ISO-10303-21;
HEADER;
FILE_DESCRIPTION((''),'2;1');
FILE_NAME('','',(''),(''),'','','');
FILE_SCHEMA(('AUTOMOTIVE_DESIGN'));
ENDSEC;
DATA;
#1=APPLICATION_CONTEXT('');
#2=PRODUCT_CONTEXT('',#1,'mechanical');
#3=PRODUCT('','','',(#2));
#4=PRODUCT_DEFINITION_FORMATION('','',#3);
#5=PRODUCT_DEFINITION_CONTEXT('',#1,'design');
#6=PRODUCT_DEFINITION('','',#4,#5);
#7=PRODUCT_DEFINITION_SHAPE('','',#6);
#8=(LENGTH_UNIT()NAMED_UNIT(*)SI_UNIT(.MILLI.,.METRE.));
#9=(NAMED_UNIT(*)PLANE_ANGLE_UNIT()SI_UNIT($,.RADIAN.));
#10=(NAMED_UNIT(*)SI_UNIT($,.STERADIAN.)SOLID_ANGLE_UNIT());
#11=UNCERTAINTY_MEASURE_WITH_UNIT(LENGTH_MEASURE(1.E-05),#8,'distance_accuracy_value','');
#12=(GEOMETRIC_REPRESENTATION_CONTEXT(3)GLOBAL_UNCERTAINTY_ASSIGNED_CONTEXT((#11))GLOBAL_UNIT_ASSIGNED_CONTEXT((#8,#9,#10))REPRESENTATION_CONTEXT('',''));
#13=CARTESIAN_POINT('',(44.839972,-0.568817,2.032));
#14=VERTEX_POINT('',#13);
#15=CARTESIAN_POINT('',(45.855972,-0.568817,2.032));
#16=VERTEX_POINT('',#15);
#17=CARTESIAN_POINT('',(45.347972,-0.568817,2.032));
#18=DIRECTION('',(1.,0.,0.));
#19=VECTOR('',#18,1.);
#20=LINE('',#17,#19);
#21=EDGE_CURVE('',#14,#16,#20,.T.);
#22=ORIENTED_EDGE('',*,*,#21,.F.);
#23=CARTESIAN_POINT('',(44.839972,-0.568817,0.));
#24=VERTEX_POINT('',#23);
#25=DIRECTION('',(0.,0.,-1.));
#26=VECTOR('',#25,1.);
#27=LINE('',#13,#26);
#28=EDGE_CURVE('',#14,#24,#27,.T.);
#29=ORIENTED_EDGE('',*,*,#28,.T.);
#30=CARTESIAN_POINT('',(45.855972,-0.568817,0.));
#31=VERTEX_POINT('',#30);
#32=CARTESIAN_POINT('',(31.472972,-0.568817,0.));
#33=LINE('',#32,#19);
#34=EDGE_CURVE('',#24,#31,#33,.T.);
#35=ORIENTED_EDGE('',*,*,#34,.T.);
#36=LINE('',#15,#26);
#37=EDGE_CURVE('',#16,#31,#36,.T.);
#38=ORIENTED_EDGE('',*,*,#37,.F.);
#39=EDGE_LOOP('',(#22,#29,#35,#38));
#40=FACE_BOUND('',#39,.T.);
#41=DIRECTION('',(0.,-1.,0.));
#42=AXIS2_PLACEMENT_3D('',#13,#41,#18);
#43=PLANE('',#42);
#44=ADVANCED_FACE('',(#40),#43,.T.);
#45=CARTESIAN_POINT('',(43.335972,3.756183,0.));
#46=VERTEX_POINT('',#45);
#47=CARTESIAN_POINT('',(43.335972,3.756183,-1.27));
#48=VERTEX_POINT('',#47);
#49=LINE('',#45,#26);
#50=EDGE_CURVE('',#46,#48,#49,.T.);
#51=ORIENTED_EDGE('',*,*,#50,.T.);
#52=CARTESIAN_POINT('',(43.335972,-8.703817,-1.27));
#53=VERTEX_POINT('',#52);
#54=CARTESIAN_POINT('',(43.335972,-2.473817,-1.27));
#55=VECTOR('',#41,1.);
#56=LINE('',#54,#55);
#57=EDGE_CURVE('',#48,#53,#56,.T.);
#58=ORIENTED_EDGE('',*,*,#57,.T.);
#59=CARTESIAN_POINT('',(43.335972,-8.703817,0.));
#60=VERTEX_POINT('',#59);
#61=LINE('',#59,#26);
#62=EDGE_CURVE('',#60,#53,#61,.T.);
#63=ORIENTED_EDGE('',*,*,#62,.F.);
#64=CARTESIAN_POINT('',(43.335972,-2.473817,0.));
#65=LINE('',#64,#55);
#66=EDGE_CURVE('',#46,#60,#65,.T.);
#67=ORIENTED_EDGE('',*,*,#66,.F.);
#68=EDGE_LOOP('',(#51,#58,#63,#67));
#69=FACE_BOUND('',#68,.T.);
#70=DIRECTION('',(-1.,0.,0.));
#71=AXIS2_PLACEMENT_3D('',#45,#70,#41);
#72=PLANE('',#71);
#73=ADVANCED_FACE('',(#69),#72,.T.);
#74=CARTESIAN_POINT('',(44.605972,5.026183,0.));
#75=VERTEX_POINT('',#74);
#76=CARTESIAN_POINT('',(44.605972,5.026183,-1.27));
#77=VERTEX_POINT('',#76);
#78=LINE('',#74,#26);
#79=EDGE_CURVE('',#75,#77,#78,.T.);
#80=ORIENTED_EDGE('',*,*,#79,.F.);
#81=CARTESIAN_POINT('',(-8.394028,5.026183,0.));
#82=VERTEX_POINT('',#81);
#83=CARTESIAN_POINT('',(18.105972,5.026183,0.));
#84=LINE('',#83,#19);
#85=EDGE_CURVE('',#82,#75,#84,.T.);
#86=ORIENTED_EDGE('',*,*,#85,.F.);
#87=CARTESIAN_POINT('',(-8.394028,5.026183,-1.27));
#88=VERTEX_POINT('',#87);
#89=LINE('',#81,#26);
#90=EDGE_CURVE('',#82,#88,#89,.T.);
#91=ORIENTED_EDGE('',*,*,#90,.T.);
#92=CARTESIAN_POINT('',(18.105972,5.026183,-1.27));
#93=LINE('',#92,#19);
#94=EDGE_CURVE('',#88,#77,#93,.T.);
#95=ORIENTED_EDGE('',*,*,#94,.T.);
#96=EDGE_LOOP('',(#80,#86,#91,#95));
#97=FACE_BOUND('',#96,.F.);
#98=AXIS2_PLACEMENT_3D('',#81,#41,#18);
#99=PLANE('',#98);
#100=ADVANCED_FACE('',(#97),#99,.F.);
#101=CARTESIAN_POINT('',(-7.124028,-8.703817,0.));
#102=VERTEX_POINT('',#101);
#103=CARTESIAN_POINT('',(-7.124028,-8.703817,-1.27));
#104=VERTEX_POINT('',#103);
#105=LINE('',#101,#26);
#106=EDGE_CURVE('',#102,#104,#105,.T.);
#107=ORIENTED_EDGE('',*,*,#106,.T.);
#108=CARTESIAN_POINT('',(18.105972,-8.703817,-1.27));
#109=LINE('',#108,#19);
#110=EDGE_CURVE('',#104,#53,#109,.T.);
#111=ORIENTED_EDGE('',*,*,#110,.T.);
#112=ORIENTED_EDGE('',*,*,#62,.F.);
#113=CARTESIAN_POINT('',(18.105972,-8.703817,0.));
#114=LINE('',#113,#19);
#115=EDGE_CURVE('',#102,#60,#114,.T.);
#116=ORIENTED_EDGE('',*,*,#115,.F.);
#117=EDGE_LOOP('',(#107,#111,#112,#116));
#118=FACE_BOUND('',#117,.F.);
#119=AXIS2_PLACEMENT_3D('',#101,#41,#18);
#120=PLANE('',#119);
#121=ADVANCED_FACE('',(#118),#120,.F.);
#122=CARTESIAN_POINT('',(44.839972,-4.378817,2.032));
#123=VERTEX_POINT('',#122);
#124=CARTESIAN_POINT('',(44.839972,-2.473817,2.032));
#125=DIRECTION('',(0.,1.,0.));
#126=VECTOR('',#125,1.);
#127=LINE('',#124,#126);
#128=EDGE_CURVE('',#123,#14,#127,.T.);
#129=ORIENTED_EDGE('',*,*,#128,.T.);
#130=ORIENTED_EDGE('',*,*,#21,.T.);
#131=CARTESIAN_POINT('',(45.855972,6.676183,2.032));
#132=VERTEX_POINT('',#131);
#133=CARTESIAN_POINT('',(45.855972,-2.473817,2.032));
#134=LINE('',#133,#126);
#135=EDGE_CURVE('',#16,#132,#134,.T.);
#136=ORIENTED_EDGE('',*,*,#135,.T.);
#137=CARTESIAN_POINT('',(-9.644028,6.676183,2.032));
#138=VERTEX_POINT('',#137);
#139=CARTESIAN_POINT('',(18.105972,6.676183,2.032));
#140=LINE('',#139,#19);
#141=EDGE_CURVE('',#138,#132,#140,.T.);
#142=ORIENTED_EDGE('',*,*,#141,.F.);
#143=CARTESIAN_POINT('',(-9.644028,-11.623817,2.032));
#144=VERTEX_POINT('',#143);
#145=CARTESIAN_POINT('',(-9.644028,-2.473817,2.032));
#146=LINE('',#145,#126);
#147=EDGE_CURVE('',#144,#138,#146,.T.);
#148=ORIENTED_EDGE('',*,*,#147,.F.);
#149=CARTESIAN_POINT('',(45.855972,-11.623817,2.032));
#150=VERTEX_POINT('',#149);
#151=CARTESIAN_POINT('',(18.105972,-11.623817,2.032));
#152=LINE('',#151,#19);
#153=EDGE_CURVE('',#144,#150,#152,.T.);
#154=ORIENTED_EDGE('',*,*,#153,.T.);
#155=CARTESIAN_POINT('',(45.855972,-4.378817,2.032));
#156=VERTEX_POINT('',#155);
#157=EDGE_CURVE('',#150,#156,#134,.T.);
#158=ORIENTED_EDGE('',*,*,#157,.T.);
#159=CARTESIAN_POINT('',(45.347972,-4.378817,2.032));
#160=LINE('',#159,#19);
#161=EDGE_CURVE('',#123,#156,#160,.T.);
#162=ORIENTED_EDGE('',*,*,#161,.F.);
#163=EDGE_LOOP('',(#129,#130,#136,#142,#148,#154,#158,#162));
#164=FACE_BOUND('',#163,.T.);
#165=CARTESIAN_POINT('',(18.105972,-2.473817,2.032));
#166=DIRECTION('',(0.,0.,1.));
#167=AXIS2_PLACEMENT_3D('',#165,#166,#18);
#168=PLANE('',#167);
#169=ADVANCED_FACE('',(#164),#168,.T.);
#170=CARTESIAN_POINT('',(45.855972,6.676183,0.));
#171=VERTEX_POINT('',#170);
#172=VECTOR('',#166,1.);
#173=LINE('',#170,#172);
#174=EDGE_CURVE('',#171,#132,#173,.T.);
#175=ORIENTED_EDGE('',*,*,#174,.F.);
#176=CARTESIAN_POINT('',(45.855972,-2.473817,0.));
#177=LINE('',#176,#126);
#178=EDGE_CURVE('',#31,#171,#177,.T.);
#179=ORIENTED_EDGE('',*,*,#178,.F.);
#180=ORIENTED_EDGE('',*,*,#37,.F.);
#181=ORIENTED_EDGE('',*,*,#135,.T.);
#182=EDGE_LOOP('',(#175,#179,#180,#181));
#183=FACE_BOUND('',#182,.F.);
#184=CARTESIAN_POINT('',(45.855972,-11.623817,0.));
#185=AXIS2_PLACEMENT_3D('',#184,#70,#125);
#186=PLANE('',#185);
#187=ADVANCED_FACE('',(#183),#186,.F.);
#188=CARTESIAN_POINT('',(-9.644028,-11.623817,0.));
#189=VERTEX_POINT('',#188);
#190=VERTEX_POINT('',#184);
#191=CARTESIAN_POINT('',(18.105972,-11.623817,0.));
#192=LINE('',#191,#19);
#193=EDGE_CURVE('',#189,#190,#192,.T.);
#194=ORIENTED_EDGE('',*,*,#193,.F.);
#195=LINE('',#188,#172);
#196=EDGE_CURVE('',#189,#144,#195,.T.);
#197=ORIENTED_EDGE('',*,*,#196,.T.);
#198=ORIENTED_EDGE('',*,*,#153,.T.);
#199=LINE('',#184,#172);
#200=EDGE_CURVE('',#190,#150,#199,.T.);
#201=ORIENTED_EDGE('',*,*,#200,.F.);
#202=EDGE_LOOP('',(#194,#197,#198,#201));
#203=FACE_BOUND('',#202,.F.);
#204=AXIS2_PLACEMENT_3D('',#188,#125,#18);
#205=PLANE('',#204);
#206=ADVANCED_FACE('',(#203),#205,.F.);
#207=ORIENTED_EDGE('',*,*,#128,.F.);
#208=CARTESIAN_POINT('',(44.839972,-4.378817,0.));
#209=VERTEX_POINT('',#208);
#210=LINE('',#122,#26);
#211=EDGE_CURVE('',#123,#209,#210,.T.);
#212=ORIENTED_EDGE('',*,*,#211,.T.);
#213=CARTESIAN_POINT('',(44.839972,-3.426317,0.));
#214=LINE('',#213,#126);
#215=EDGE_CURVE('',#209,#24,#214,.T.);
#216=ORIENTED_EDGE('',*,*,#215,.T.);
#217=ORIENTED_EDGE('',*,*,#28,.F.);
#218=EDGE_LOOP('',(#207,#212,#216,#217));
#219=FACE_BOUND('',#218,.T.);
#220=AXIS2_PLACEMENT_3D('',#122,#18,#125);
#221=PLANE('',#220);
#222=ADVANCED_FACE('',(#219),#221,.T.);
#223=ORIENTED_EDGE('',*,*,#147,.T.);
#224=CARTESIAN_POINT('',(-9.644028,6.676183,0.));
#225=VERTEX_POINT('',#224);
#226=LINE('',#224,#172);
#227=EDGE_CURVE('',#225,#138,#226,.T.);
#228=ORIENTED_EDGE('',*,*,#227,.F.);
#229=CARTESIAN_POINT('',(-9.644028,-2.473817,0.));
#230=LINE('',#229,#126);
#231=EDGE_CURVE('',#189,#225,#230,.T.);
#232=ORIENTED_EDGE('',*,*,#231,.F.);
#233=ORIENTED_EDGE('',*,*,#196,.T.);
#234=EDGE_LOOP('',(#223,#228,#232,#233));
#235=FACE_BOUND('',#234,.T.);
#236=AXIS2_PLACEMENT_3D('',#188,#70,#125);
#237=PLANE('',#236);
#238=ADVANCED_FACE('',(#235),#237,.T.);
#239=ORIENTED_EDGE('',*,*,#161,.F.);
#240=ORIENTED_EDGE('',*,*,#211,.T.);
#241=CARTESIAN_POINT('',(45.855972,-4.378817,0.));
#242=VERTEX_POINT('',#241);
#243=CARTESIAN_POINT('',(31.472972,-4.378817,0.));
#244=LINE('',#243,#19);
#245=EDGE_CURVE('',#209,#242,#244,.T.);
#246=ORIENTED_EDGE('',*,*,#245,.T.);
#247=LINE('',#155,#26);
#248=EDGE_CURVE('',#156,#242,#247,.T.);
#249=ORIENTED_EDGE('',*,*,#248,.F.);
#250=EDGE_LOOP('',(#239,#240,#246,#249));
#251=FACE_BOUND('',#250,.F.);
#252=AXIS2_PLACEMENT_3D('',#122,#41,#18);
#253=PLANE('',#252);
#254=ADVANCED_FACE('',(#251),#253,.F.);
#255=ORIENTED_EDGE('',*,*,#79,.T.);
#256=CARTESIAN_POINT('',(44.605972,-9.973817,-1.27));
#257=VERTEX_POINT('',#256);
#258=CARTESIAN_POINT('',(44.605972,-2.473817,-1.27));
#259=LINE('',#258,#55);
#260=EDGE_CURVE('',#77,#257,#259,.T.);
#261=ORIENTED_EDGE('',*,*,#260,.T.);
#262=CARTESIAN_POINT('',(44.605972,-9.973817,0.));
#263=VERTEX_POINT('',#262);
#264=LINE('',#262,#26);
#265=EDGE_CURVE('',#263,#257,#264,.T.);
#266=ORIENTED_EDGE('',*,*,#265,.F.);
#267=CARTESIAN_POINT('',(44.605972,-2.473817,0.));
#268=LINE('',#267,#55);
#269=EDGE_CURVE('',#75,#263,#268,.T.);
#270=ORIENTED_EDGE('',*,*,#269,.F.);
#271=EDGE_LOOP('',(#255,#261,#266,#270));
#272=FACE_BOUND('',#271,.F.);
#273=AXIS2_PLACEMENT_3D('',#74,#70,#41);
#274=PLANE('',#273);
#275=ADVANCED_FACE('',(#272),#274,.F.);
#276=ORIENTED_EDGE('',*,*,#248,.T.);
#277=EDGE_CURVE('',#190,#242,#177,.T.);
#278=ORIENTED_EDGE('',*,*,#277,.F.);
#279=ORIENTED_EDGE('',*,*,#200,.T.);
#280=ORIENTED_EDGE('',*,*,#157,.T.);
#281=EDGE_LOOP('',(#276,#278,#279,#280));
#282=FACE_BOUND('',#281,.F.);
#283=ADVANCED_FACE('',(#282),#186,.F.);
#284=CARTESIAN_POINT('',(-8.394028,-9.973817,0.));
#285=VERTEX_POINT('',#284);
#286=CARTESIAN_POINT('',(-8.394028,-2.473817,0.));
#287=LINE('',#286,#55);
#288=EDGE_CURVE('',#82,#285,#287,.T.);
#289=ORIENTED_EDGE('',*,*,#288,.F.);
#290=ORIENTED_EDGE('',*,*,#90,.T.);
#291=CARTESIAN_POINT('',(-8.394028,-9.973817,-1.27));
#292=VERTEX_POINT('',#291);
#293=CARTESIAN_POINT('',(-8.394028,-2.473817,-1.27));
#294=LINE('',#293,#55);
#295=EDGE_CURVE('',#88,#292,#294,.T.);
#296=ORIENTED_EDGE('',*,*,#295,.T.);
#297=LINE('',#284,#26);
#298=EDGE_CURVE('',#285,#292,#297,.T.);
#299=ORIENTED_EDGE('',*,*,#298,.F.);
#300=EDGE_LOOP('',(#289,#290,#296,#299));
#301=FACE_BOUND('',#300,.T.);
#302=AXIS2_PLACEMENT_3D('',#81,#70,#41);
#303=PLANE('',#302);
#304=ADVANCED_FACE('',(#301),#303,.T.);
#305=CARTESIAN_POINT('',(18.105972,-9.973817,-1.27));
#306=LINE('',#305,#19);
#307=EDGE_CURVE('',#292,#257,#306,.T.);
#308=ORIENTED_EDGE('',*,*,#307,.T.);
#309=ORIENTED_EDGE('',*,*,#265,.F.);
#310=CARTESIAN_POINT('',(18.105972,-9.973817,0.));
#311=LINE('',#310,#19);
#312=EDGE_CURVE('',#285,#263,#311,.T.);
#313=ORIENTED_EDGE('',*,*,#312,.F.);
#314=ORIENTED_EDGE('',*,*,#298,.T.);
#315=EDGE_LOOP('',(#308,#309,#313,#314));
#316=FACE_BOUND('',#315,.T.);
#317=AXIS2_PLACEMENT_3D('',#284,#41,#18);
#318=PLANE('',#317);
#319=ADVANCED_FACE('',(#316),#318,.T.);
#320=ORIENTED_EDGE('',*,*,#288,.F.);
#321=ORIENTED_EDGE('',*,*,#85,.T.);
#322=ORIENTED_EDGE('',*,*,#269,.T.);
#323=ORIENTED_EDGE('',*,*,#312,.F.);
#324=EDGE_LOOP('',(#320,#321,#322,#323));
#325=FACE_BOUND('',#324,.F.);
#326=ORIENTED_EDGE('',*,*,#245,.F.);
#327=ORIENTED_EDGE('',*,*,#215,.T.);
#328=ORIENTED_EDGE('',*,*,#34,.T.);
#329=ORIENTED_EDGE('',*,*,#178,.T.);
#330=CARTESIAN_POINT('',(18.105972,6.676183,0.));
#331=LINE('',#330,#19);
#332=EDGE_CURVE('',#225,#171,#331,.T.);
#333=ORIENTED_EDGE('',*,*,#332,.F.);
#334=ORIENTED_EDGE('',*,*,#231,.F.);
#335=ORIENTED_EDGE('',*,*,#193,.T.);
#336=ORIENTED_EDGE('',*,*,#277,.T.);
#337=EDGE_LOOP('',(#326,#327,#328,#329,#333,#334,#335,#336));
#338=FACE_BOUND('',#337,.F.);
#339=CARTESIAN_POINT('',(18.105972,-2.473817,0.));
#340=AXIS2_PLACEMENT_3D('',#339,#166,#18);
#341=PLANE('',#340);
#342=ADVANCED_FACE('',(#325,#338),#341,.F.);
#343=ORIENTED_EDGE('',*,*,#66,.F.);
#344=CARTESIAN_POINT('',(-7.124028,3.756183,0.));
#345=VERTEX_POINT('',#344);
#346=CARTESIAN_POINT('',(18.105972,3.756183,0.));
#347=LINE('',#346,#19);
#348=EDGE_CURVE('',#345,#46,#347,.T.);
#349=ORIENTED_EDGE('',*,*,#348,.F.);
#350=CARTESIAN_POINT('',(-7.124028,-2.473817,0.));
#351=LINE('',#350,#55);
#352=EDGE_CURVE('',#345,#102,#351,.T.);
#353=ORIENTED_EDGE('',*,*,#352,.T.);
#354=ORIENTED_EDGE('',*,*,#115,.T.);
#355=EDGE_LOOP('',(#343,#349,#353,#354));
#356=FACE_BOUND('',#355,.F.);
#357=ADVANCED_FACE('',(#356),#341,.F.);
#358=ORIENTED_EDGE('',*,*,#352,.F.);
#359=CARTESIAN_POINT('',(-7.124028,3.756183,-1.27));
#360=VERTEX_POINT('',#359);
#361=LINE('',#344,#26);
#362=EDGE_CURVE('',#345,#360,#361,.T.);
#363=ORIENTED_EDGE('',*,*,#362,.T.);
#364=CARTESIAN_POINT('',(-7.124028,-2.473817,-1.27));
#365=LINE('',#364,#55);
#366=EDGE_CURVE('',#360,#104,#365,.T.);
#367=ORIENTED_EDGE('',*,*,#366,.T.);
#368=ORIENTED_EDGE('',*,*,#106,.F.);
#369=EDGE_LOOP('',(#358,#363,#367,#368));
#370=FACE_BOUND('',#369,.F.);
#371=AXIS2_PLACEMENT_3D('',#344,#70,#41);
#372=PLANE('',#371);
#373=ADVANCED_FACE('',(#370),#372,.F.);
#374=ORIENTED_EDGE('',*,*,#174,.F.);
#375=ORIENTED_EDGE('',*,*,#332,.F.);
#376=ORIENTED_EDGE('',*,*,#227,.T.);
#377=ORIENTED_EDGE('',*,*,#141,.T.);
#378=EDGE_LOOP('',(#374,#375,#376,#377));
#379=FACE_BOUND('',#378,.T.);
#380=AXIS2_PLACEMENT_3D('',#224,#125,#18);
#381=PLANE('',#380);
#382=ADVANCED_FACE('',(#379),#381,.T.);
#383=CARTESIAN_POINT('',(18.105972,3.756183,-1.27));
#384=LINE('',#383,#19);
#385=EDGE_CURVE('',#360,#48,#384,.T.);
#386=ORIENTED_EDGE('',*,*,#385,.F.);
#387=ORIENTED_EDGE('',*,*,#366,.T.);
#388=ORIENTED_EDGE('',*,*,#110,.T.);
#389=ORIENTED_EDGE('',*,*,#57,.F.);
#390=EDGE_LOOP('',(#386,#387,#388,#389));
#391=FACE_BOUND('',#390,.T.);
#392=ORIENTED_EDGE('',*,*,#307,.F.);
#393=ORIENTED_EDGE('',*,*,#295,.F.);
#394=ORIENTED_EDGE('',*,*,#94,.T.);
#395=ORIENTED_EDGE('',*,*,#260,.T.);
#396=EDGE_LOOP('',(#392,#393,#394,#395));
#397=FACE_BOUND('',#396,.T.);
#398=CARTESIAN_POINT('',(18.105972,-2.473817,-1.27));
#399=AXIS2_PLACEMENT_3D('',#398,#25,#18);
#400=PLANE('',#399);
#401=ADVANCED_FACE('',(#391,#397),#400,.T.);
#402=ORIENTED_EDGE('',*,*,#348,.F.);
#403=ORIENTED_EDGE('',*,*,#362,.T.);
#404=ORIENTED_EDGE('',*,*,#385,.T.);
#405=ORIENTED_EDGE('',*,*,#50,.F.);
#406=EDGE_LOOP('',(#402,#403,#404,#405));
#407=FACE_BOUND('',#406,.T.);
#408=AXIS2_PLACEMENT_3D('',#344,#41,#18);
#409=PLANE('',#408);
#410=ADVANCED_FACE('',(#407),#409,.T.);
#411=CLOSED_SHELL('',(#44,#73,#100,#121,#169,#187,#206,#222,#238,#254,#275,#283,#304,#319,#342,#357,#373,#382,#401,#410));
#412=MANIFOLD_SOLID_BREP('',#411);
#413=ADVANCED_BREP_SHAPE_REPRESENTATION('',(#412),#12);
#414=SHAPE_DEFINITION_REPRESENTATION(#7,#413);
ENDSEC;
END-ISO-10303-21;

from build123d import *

# Parameters (mm, degrees)
F0_W     = 55.5
F0_H     = 18.3
F1_DEPTH = 2.032
F2_W     = 1.016
F2_H     = 3.81
F3_DEPTH = 2.286
F4_W     = 53
F4_H     = 15
F4_W_2   = 50.46
F4_H_2   = 12.46
F5_DEPTH = 1.27


with BuildPart() as f1:
    # F0 (on Top) → F1 (new body)
    with BuildSketch(Plane.XY):
        with Locations((18.105972, -2.473817)):
            Rectangle(F0_W, F0_H)
    extrude(amount=F1_DEPTH)

    # F2 (on face) → F3 (cut)
    with BuildSketch(Plane.XY.offset(2.032)):
        with Locations((45.347972, -2.473817)):
            Rectangle(F2_W, F2_H)
    extrude(amount=-F3_DEPTH, mode=Mode.SUBTRACT)

    # F4 (on face) → F5 (join)
    with BuildSketch(Plane(origin=(0, 0, 0), x_dir=(1, 0, 0), z_dir=(0, 0, -1))):
        with Locations((18.105972, 2.473817)):
            Rectangle(F4_W, F4_H)
        with Locations((18.105972, 2.473817)):
            Rectangle(F4_W_2, F4_H_2, mode=Mode.SUBTRACT)
    extrude(amount=F5_DEPTH)


solid = f1.part
